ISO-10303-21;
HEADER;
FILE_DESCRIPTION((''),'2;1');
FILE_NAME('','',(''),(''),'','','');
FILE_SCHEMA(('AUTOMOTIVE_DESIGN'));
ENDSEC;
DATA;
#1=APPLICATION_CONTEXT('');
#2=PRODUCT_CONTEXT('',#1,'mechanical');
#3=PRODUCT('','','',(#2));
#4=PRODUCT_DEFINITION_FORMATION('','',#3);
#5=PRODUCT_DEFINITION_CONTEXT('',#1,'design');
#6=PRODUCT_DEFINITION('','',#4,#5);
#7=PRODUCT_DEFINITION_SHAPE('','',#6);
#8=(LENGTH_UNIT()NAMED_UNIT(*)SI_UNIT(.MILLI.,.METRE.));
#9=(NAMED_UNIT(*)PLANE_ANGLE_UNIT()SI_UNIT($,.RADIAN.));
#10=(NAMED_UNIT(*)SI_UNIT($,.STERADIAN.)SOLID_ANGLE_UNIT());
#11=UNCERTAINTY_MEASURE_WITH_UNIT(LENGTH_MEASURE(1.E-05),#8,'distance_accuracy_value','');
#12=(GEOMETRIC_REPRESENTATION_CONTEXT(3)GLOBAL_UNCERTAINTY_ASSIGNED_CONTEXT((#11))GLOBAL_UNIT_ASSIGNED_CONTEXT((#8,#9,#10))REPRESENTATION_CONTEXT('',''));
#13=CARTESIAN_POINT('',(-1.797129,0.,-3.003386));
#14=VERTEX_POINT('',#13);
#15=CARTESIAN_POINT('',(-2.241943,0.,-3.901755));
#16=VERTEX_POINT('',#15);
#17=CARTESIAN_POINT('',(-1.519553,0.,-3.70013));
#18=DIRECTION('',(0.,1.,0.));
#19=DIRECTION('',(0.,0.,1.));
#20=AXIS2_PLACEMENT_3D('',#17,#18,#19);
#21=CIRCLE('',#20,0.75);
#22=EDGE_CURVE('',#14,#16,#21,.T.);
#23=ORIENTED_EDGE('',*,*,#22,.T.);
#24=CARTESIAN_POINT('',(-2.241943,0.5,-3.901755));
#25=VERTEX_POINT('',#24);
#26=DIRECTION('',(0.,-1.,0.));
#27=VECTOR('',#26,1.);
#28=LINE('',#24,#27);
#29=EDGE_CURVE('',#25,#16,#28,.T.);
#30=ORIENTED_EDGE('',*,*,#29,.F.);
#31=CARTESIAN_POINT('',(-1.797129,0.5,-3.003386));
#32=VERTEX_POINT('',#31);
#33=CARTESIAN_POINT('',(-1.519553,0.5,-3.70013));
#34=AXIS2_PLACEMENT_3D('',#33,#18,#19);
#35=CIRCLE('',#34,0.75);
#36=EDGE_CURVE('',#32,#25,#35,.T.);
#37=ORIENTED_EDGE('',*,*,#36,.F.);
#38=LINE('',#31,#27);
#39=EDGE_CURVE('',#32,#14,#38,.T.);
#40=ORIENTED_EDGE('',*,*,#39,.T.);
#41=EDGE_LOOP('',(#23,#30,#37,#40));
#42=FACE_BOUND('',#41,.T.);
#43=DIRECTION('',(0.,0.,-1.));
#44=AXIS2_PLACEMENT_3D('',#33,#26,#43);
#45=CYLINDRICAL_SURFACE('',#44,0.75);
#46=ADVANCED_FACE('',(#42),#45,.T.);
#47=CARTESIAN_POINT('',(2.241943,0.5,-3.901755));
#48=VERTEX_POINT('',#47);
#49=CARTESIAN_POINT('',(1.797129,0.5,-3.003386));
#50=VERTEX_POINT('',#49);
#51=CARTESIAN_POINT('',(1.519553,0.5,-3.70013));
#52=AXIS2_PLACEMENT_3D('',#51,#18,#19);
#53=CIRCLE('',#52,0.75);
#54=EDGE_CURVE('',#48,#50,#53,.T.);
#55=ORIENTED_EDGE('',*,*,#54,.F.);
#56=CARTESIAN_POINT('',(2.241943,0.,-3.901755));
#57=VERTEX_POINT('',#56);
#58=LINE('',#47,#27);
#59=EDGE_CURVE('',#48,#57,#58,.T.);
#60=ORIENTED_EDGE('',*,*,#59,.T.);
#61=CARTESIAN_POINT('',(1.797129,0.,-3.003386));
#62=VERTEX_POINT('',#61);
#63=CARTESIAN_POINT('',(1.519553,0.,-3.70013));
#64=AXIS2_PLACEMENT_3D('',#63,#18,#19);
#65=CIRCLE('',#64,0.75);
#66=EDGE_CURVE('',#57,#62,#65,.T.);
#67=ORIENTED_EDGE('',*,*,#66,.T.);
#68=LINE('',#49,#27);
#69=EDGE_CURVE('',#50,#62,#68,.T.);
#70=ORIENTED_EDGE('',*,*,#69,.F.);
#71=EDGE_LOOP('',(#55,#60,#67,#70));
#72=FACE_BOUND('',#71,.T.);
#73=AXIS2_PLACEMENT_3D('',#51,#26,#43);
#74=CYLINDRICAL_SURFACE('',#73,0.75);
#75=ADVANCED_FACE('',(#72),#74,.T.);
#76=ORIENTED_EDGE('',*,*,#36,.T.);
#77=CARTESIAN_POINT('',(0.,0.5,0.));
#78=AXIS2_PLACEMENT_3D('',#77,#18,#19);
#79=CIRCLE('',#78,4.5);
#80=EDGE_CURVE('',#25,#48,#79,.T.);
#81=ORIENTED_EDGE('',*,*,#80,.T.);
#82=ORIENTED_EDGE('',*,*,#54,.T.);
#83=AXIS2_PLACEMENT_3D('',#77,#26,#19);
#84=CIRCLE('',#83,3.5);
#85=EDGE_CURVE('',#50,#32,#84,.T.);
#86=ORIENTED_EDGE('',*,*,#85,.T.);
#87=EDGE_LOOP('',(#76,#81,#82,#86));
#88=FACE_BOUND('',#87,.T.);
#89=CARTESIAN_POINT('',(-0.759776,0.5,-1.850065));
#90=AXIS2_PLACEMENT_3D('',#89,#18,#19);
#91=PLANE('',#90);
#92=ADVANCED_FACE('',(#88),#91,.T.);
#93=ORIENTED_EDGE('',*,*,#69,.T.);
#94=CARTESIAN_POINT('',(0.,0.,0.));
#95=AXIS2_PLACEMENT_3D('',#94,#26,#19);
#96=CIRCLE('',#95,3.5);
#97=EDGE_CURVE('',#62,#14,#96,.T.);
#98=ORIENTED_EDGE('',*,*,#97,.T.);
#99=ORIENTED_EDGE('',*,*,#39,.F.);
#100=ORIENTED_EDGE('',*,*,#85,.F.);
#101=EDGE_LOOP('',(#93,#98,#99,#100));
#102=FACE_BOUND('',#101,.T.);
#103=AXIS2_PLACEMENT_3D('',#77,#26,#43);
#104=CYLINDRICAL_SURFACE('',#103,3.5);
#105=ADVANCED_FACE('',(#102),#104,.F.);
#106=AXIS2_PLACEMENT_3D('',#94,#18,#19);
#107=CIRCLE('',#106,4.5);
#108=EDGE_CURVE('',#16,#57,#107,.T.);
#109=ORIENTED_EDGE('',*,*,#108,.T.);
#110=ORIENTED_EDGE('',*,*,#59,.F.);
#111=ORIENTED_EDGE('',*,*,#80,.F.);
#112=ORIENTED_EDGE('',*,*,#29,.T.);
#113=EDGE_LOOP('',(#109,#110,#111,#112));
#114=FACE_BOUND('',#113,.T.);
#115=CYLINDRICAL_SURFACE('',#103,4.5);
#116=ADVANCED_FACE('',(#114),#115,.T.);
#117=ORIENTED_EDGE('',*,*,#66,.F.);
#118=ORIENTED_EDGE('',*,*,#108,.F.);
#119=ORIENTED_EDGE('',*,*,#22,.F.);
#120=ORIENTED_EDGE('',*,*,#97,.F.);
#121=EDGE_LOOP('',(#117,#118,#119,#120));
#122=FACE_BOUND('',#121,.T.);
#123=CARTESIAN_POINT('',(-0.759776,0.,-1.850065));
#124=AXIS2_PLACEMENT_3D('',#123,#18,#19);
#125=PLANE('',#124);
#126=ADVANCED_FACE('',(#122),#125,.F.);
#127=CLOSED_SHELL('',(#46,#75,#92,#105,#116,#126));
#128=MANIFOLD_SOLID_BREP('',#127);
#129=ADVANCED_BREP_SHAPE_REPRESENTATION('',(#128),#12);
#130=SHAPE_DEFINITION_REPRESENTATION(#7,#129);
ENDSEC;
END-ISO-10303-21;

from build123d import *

# Parameters (mm, degrees)
BOSS_EXTRUDE1_DEPTH = 0.5


with BuildPart() as part:
    # Sketch1 → Boss-Extrude1 (new body)
    with BuildSketch(Plane(origin=(0, 0, 0), x_dir=(1, 0, 0), z_dir=(0, 1, 0))):
        with BuildLine():
            ThreePointArc((-1.797128778, 3.003386115), (0, -3.5), (1.797128778, 3.003386115))
            ThreePointArc((1.797128778, 3.003386115), (0.847429492, 4.03292135), (2.241942654, 3.901755135))
            ThreePointArc((2.241942654, 3.901755135), (0, -4.5), (-2.241942654, 3.901755135))
            ThreePointArc((-2.241942654, 3.901755135), (-0.847429492, 4.03292135), (-1.797128778, 3.003386115))
        make_face()
    extrude(amount=BOSS_EXTRUDE1_DEPTH)


solid = part.part
